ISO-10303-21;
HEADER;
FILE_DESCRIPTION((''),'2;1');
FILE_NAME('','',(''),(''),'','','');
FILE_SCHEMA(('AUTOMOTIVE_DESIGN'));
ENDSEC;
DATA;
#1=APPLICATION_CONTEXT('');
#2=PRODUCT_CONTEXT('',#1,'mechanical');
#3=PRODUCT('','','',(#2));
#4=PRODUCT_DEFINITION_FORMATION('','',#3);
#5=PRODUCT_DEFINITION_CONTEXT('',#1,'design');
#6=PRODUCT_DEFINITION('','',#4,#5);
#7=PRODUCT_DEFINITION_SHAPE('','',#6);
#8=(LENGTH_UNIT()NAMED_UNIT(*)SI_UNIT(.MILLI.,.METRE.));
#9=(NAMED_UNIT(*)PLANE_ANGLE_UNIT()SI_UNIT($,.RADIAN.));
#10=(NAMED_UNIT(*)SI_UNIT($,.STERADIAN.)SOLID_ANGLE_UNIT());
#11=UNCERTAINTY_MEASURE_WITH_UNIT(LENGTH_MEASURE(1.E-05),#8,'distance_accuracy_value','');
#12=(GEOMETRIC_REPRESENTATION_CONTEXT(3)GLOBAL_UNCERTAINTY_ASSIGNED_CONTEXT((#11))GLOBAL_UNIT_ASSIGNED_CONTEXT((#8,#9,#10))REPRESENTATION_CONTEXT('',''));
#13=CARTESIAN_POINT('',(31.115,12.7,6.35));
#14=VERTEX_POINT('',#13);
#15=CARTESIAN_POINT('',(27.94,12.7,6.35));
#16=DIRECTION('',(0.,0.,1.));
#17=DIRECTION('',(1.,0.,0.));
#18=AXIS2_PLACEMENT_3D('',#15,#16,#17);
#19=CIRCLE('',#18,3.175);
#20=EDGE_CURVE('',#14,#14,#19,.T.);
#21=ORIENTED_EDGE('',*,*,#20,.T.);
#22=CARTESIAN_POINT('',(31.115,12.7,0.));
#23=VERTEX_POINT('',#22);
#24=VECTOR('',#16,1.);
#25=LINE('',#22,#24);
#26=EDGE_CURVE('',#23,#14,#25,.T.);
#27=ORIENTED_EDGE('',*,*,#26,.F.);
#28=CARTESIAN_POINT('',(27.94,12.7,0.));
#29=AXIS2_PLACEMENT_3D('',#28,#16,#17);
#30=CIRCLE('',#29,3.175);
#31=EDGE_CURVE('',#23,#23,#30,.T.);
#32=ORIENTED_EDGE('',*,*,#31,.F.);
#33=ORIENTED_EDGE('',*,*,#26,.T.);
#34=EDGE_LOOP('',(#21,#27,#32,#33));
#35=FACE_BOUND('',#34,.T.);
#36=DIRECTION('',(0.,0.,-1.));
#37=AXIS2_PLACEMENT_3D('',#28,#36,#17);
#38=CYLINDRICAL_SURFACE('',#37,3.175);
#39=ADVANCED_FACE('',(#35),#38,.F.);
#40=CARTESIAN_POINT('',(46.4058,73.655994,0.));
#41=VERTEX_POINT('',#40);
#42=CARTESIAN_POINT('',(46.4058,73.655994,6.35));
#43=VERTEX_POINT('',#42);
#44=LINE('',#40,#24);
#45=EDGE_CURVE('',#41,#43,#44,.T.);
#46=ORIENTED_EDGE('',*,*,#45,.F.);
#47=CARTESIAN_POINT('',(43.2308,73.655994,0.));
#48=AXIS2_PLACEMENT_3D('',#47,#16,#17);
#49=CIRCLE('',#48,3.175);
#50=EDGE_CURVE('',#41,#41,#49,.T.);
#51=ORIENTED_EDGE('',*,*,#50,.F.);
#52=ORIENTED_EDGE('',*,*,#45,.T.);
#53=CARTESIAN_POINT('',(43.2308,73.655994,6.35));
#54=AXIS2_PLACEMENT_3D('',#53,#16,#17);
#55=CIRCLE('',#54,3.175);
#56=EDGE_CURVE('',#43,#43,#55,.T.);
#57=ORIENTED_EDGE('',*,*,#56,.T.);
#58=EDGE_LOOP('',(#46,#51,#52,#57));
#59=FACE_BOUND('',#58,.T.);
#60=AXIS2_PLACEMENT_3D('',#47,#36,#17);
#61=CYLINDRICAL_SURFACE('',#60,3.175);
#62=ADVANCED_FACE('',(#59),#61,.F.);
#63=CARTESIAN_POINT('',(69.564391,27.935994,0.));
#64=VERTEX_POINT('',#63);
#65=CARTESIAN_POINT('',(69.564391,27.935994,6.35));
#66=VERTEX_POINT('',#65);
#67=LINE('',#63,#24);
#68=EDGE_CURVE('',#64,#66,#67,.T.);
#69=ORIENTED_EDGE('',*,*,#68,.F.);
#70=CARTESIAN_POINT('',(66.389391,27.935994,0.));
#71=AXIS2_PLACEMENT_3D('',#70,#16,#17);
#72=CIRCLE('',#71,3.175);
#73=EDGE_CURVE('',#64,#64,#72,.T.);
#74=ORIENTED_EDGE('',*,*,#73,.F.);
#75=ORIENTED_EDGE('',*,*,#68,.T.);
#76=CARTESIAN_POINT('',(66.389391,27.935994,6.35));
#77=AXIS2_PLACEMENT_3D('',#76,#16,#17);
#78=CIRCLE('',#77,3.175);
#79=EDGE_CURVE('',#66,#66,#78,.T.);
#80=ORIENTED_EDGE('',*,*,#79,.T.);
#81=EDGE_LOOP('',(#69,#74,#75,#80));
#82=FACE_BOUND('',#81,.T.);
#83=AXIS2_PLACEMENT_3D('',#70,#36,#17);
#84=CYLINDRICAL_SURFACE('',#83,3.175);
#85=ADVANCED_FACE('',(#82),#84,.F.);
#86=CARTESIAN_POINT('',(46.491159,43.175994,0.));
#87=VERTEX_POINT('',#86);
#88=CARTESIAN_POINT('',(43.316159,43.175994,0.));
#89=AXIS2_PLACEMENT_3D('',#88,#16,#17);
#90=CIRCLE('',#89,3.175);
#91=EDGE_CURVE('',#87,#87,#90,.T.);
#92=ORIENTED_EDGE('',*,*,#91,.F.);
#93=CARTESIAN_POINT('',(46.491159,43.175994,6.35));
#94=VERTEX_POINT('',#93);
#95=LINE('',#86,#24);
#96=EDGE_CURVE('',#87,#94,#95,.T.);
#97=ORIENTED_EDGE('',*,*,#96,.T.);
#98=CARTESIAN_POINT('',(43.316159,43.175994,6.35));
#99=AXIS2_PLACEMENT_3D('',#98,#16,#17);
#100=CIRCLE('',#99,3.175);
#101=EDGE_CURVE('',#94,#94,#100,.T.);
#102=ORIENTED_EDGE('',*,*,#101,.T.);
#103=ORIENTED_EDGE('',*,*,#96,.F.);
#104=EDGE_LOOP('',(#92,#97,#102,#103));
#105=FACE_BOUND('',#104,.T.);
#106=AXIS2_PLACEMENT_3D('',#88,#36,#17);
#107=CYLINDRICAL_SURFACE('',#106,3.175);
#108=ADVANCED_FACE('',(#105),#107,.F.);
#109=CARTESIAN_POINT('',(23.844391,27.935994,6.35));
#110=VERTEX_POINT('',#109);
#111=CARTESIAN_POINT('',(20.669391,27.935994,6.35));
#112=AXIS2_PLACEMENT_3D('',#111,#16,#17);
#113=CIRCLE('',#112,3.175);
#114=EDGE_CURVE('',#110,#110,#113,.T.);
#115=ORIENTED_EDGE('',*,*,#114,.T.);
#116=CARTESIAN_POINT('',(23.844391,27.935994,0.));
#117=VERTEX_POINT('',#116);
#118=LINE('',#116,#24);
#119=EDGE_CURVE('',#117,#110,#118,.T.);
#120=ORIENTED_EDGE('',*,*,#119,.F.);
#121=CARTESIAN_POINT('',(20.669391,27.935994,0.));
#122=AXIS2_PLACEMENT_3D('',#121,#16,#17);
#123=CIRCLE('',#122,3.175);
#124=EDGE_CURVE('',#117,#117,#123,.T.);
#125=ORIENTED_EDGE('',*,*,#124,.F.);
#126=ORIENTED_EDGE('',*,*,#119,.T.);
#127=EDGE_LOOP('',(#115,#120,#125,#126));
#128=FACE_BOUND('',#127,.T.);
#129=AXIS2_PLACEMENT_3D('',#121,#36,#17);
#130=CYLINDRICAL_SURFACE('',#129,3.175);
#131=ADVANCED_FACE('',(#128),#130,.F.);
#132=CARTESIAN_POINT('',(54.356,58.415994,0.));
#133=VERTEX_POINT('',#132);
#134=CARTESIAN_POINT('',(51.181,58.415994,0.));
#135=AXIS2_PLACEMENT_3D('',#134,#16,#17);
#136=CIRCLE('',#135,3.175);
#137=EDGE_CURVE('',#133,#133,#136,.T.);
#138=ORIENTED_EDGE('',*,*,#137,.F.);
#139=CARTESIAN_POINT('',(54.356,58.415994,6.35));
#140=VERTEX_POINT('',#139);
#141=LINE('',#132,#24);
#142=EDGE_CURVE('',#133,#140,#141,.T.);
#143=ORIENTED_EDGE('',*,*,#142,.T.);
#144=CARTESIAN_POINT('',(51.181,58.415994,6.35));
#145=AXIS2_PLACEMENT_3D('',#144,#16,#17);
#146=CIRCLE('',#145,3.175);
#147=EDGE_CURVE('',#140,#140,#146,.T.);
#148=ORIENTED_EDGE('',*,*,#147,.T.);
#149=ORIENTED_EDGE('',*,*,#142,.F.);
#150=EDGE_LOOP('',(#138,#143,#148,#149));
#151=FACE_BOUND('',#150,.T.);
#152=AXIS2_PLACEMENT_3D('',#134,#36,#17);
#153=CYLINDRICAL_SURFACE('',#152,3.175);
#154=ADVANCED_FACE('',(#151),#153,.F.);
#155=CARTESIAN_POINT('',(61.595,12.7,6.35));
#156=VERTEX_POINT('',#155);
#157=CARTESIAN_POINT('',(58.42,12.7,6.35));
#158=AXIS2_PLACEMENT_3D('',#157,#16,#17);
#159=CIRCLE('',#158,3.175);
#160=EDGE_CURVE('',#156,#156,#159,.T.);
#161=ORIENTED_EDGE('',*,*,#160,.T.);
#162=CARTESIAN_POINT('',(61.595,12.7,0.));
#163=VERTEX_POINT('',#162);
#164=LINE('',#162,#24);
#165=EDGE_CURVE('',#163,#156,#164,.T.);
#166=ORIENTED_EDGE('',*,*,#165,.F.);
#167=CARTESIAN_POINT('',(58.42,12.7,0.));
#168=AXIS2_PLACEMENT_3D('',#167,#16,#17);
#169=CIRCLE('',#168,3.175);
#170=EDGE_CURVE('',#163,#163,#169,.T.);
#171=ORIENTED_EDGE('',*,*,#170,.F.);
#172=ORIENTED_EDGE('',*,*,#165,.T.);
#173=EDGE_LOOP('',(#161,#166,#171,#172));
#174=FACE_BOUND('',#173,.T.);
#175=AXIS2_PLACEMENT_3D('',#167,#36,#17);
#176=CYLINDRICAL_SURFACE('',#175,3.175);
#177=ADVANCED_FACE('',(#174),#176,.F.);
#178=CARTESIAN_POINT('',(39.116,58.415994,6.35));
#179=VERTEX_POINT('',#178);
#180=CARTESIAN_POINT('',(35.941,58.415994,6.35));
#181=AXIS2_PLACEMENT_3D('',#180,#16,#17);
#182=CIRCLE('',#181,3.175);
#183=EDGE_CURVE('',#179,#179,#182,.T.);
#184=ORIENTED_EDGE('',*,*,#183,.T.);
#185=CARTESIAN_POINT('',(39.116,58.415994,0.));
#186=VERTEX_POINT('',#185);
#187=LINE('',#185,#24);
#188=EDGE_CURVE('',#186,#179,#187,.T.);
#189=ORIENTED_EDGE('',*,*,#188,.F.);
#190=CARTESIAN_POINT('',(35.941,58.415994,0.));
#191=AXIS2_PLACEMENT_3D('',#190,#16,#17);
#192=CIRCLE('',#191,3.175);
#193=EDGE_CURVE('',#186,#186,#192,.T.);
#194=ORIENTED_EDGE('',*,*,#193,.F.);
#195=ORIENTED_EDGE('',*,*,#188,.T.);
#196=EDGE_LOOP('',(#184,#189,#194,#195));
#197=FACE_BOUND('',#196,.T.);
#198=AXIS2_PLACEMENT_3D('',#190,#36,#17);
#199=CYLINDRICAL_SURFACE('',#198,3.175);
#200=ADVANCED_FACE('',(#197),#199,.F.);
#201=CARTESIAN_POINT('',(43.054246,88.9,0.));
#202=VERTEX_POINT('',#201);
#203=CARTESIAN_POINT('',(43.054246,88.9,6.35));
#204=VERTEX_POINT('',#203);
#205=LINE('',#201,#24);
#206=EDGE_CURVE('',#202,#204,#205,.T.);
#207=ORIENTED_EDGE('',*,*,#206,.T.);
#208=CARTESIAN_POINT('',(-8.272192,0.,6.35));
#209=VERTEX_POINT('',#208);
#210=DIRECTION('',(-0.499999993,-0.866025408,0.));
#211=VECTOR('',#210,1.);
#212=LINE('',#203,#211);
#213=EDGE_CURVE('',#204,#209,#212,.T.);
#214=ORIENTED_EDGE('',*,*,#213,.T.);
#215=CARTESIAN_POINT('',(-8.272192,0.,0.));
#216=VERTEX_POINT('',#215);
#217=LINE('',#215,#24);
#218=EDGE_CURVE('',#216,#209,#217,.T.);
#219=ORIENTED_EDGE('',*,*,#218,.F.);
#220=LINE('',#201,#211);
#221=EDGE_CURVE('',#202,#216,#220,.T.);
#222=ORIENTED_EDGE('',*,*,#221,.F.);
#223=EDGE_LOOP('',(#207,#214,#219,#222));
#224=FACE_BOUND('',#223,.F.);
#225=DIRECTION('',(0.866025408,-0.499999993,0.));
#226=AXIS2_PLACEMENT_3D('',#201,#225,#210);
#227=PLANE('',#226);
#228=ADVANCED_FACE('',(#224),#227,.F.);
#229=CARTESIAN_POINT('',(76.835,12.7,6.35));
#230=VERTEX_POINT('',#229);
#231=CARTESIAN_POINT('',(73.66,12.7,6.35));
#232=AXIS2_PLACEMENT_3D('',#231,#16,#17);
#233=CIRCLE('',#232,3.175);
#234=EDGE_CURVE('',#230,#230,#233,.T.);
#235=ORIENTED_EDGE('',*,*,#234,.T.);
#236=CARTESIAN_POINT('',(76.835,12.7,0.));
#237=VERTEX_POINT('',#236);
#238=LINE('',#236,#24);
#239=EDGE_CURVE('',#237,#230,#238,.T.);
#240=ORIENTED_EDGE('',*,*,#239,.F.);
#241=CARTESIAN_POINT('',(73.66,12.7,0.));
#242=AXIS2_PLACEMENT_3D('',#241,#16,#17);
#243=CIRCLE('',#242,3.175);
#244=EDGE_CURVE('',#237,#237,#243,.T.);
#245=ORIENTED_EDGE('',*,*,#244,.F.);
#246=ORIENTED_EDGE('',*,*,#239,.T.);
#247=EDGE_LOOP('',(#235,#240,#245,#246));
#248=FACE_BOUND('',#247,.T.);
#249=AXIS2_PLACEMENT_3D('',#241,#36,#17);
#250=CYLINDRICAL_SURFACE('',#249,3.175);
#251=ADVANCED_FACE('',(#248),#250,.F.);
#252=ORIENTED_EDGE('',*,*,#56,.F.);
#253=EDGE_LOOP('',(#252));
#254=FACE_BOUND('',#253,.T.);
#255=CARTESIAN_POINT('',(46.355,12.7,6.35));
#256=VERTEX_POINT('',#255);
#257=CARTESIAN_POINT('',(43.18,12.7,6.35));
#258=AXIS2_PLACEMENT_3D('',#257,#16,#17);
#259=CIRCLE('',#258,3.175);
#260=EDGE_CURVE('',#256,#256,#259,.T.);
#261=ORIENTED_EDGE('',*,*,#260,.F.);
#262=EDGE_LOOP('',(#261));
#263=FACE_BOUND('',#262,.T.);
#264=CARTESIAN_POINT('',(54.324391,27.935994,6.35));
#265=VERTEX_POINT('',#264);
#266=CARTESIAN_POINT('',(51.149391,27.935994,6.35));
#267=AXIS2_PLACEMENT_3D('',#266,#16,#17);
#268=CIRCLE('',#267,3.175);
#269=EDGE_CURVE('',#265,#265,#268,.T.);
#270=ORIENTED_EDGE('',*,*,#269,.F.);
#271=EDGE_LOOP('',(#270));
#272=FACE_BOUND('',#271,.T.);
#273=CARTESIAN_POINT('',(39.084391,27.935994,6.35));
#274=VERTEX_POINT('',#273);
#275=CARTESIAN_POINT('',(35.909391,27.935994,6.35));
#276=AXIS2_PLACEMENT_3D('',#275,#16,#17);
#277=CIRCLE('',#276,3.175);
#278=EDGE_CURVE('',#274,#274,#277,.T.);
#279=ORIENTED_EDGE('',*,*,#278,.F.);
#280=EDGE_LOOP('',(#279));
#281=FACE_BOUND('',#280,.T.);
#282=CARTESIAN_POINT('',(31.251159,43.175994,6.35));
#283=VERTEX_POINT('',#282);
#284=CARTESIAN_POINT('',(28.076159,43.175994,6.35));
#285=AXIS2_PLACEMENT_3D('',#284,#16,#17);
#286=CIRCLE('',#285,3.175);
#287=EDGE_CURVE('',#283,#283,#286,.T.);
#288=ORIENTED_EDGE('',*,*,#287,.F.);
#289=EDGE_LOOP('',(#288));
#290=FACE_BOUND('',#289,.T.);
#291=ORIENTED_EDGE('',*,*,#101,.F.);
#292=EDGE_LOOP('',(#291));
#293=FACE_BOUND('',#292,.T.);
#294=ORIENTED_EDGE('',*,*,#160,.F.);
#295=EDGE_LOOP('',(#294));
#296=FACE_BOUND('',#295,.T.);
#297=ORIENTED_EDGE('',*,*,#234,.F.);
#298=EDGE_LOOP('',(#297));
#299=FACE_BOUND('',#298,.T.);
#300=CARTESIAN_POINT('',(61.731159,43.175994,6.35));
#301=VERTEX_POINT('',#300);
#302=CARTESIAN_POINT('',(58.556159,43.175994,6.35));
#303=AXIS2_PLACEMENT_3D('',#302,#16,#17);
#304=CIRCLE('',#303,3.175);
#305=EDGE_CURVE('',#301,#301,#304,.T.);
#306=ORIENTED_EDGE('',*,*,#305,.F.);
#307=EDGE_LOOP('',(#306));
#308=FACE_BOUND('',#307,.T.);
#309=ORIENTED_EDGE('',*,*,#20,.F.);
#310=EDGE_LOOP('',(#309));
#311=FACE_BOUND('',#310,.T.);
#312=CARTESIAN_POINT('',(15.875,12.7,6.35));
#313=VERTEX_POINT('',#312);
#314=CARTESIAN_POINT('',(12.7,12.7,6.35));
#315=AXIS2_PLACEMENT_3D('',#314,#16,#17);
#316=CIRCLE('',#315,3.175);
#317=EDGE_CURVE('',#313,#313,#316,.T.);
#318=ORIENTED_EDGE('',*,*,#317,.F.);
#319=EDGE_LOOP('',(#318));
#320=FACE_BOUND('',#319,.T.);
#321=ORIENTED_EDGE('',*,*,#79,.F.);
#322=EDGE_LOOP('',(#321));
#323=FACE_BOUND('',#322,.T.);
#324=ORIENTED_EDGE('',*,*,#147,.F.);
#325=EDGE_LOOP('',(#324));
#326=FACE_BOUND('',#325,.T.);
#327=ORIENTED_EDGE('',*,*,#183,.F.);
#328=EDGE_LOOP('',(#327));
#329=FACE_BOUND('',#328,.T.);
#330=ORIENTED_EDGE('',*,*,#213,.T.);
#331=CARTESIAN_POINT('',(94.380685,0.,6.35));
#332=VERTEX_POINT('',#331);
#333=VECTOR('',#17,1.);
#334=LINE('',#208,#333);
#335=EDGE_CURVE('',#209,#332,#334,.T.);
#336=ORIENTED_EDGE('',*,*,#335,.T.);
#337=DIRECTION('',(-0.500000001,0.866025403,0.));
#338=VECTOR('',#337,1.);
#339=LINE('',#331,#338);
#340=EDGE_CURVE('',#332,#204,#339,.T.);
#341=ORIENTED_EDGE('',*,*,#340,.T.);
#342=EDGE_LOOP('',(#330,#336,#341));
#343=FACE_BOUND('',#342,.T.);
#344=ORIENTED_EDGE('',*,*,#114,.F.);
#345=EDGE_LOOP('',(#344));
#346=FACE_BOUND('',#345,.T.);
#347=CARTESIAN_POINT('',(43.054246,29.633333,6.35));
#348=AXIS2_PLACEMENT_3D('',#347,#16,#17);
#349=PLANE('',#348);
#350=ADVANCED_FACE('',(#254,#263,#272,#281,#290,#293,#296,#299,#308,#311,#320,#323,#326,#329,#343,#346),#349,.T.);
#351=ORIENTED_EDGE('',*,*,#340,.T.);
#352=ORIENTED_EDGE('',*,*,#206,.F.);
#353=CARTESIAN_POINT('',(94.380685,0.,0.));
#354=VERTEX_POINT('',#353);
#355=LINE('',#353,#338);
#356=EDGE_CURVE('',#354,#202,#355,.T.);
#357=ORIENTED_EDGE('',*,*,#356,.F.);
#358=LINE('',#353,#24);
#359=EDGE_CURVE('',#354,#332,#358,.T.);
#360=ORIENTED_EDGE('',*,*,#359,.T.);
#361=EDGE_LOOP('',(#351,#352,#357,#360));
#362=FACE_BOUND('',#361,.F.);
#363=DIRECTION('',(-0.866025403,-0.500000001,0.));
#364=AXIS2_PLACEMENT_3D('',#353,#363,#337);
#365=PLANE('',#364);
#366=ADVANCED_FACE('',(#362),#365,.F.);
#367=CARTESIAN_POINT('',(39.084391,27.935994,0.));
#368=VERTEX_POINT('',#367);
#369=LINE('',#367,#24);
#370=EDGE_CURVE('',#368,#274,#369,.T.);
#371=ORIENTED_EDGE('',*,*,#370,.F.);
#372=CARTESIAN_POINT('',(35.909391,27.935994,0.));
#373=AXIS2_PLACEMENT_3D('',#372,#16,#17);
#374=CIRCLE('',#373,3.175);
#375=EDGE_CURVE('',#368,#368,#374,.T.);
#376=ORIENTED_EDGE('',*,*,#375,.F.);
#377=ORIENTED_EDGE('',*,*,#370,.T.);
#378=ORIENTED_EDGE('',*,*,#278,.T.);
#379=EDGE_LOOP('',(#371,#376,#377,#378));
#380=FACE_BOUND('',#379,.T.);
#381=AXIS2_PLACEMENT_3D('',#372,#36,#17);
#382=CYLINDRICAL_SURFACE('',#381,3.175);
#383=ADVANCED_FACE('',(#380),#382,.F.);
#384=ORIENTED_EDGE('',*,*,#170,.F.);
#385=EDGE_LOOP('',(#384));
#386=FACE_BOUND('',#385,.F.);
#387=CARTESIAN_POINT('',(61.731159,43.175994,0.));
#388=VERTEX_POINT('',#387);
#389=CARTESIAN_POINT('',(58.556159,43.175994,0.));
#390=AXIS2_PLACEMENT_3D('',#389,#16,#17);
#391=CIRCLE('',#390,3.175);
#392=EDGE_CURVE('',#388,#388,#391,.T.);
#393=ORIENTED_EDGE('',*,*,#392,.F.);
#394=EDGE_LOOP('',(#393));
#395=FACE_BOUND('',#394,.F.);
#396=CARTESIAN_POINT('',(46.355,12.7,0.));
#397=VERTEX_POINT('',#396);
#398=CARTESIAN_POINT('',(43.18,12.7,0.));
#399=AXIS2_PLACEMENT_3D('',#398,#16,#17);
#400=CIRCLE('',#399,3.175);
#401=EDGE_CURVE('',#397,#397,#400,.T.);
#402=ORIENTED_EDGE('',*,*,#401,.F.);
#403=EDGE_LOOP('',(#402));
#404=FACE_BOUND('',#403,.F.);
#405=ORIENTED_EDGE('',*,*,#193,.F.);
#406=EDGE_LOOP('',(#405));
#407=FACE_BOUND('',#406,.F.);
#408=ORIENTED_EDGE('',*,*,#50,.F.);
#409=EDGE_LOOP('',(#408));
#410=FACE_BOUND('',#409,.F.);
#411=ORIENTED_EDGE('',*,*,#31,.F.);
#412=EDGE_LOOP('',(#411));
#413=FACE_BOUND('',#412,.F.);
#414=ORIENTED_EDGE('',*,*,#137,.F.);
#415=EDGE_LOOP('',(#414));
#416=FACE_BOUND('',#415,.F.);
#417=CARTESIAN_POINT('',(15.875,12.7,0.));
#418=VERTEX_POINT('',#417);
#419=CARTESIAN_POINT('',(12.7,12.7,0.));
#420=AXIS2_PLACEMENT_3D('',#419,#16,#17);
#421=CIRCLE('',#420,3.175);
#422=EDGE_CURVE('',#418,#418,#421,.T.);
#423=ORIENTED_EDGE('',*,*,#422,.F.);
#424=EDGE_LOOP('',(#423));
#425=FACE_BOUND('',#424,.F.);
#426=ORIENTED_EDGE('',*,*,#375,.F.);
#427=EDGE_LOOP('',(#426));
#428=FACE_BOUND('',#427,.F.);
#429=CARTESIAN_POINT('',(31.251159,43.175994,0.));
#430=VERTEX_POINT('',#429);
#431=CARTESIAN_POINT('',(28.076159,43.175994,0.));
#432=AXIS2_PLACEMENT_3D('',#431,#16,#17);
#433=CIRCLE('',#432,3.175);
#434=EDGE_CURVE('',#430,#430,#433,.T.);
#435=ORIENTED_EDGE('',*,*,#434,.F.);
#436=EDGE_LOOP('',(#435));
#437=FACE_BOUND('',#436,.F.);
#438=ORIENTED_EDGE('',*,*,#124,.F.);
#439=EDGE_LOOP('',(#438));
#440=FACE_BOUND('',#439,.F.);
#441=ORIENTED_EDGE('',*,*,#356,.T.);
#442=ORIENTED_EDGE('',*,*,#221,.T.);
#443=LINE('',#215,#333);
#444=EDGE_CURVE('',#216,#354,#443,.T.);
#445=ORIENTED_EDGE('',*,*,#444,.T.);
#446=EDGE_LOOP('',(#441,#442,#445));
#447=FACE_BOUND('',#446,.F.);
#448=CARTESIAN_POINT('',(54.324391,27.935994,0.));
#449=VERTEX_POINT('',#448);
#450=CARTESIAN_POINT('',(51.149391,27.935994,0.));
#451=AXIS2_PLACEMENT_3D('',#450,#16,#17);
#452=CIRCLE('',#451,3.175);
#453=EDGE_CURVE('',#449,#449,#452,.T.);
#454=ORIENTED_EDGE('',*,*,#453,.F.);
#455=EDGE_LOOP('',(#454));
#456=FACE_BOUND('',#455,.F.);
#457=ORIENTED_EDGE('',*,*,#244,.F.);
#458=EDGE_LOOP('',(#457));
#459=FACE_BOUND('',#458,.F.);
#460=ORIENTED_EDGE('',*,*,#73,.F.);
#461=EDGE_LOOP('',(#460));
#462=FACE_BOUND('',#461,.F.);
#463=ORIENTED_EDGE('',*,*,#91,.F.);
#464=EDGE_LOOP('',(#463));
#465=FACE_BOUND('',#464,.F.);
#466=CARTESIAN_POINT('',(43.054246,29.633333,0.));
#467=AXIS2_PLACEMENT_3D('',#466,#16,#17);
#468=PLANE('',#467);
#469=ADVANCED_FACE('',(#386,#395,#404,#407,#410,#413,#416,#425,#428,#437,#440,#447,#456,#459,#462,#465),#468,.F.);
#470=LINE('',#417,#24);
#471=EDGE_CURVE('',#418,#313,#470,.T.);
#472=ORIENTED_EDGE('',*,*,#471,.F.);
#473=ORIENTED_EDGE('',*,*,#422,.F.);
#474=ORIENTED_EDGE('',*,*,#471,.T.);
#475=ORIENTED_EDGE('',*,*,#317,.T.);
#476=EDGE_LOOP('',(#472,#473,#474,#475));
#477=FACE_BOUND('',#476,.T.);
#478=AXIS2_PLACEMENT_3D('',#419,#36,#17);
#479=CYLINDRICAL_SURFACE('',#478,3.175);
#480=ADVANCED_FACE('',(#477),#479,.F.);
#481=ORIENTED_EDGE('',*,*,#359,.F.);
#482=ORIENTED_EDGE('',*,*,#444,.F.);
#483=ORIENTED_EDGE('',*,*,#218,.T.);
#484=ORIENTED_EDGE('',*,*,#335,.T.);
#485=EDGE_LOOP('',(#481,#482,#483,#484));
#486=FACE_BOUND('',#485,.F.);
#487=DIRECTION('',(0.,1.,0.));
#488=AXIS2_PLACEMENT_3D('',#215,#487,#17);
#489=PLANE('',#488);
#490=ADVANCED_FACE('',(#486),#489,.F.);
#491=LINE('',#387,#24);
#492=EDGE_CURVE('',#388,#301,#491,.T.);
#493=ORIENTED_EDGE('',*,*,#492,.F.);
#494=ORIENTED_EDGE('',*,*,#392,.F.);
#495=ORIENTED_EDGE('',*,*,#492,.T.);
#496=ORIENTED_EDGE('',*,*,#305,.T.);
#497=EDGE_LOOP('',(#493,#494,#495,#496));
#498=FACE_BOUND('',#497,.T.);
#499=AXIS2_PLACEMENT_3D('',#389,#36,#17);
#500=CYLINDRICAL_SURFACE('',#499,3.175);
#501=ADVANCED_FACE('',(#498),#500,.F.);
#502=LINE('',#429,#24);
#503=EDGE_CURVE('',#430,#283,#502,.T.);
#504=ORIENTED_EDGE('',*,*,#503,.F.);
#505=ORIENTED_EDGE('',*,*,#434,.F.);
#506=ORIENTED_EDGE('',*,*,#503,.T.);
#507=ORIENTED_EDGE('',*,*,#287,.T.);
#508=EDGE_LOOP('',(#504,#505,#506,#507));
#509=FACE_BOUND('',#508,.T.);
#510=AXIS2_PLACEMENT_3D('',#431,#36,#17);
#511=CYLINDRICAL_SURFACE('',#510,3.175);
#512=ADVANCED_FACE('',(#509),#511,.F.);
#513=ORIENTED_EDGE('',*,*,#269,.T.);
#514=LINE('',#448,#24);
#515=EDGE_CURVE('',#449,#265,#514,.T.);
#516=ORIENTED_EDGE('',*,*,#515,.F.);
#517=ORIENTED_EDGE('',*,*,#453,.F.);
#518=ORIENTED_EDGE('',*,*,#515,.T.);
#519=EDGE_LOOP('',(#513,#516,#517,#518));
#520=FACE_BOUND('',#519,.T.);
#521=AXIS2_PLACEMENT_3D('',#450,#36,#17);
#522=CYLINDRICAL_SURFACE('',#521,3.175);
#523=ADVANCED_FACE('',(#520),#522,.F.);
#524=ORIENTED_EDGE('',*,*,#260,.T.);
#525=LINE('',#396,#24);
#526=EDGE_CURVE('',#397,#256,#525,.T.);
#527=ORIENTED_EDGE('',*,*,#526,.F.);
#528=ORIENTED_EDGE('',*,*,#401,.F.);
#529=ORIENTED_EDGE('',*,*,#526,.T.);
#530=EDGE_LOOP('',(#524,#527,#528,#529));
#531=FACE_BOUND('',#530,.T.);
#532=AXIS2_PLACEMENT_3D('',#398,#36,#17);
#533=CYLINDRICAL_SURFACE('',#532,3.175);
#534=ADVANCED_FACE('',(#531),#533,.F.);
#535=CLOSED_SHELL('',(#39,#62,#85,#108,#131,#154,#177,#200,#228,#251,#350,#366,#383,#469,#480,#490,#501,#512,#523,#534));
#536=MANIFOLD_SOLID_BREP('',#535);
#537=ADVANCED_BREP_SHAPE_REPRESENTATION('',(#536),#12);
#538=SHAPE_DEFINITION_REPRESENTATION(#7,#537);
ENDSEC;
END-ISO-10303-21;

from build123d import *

# Parameters (mm, degrees)
F7_DEPTH = 6.35
F5_R     = 3.175
F1_R     = 3.175
F2_R     = 3.175
F3_R     = 3.175
F4_R     = 3.175
F8_DEPTH = 6.35


with BuildPart() as f7:
    # F6 (on face) → F7 (new body)
    with BuildSketch(Plane.XY):
        Polygon((-8.272192, 0), (94.380685, 0), (43.054246, 88.9), align=None)
    extrude(amount=F7_DEPTH)

    # F5 (on face) + F1 (on face) + F2 (on face) + F3 (on face) + F4 (on face) → F8 (cut, through all)
    with BuildSketch(Plane.XY):
        with Locations((43.2308, 73.655994)):
            Circle(F5_R)
    with BuildSketch(Plane.XY):
        with Locations((12.7, 12.7)):
            Circle(F1_R)
        with Locations((27.94, 12.7)):
            Circle(F1_R)
        with Locations((43.18, 12.7)):
            Circle(F1_R)
        with Locations((58.42, 12.7)):
            Circle(F1_R)
        with Locations((73.66, 12.7)):
            Circle(F1_R)
    with BuildSketch(Plane.XY):
        with Locations((20.669391, 27.935994)):
            Circle(F2_R)
        with Locations((35.909391, 27.935994)):
            Circle(F2_R)
        with Locations((51.149391, 27.935994)):
            Circle(F2_R)
        with Locations((66.389391, 27.935994)):
            Circle(F2_R)
    with BuildSketch(Plane.XY):
        with Locations((28.076159, 43.175994)):
            Circle(F3_R)
        with Locations((43.316159, 43.175994)):
            Circle(F3_R)
        with Locations((58.556159, 43.175994)):
            Circle(F3_R)
    with BuildSketch(Plane.XY):
        with Locations((35.941, 58.415994)):
            Circle(F4_R)
        with Locations((51.181, 58.415994)):
            Circle(F4_R)
    extrude(amount=F8_DEPTH, mode=Mode.SUBTRACT)


solid = f7.part
